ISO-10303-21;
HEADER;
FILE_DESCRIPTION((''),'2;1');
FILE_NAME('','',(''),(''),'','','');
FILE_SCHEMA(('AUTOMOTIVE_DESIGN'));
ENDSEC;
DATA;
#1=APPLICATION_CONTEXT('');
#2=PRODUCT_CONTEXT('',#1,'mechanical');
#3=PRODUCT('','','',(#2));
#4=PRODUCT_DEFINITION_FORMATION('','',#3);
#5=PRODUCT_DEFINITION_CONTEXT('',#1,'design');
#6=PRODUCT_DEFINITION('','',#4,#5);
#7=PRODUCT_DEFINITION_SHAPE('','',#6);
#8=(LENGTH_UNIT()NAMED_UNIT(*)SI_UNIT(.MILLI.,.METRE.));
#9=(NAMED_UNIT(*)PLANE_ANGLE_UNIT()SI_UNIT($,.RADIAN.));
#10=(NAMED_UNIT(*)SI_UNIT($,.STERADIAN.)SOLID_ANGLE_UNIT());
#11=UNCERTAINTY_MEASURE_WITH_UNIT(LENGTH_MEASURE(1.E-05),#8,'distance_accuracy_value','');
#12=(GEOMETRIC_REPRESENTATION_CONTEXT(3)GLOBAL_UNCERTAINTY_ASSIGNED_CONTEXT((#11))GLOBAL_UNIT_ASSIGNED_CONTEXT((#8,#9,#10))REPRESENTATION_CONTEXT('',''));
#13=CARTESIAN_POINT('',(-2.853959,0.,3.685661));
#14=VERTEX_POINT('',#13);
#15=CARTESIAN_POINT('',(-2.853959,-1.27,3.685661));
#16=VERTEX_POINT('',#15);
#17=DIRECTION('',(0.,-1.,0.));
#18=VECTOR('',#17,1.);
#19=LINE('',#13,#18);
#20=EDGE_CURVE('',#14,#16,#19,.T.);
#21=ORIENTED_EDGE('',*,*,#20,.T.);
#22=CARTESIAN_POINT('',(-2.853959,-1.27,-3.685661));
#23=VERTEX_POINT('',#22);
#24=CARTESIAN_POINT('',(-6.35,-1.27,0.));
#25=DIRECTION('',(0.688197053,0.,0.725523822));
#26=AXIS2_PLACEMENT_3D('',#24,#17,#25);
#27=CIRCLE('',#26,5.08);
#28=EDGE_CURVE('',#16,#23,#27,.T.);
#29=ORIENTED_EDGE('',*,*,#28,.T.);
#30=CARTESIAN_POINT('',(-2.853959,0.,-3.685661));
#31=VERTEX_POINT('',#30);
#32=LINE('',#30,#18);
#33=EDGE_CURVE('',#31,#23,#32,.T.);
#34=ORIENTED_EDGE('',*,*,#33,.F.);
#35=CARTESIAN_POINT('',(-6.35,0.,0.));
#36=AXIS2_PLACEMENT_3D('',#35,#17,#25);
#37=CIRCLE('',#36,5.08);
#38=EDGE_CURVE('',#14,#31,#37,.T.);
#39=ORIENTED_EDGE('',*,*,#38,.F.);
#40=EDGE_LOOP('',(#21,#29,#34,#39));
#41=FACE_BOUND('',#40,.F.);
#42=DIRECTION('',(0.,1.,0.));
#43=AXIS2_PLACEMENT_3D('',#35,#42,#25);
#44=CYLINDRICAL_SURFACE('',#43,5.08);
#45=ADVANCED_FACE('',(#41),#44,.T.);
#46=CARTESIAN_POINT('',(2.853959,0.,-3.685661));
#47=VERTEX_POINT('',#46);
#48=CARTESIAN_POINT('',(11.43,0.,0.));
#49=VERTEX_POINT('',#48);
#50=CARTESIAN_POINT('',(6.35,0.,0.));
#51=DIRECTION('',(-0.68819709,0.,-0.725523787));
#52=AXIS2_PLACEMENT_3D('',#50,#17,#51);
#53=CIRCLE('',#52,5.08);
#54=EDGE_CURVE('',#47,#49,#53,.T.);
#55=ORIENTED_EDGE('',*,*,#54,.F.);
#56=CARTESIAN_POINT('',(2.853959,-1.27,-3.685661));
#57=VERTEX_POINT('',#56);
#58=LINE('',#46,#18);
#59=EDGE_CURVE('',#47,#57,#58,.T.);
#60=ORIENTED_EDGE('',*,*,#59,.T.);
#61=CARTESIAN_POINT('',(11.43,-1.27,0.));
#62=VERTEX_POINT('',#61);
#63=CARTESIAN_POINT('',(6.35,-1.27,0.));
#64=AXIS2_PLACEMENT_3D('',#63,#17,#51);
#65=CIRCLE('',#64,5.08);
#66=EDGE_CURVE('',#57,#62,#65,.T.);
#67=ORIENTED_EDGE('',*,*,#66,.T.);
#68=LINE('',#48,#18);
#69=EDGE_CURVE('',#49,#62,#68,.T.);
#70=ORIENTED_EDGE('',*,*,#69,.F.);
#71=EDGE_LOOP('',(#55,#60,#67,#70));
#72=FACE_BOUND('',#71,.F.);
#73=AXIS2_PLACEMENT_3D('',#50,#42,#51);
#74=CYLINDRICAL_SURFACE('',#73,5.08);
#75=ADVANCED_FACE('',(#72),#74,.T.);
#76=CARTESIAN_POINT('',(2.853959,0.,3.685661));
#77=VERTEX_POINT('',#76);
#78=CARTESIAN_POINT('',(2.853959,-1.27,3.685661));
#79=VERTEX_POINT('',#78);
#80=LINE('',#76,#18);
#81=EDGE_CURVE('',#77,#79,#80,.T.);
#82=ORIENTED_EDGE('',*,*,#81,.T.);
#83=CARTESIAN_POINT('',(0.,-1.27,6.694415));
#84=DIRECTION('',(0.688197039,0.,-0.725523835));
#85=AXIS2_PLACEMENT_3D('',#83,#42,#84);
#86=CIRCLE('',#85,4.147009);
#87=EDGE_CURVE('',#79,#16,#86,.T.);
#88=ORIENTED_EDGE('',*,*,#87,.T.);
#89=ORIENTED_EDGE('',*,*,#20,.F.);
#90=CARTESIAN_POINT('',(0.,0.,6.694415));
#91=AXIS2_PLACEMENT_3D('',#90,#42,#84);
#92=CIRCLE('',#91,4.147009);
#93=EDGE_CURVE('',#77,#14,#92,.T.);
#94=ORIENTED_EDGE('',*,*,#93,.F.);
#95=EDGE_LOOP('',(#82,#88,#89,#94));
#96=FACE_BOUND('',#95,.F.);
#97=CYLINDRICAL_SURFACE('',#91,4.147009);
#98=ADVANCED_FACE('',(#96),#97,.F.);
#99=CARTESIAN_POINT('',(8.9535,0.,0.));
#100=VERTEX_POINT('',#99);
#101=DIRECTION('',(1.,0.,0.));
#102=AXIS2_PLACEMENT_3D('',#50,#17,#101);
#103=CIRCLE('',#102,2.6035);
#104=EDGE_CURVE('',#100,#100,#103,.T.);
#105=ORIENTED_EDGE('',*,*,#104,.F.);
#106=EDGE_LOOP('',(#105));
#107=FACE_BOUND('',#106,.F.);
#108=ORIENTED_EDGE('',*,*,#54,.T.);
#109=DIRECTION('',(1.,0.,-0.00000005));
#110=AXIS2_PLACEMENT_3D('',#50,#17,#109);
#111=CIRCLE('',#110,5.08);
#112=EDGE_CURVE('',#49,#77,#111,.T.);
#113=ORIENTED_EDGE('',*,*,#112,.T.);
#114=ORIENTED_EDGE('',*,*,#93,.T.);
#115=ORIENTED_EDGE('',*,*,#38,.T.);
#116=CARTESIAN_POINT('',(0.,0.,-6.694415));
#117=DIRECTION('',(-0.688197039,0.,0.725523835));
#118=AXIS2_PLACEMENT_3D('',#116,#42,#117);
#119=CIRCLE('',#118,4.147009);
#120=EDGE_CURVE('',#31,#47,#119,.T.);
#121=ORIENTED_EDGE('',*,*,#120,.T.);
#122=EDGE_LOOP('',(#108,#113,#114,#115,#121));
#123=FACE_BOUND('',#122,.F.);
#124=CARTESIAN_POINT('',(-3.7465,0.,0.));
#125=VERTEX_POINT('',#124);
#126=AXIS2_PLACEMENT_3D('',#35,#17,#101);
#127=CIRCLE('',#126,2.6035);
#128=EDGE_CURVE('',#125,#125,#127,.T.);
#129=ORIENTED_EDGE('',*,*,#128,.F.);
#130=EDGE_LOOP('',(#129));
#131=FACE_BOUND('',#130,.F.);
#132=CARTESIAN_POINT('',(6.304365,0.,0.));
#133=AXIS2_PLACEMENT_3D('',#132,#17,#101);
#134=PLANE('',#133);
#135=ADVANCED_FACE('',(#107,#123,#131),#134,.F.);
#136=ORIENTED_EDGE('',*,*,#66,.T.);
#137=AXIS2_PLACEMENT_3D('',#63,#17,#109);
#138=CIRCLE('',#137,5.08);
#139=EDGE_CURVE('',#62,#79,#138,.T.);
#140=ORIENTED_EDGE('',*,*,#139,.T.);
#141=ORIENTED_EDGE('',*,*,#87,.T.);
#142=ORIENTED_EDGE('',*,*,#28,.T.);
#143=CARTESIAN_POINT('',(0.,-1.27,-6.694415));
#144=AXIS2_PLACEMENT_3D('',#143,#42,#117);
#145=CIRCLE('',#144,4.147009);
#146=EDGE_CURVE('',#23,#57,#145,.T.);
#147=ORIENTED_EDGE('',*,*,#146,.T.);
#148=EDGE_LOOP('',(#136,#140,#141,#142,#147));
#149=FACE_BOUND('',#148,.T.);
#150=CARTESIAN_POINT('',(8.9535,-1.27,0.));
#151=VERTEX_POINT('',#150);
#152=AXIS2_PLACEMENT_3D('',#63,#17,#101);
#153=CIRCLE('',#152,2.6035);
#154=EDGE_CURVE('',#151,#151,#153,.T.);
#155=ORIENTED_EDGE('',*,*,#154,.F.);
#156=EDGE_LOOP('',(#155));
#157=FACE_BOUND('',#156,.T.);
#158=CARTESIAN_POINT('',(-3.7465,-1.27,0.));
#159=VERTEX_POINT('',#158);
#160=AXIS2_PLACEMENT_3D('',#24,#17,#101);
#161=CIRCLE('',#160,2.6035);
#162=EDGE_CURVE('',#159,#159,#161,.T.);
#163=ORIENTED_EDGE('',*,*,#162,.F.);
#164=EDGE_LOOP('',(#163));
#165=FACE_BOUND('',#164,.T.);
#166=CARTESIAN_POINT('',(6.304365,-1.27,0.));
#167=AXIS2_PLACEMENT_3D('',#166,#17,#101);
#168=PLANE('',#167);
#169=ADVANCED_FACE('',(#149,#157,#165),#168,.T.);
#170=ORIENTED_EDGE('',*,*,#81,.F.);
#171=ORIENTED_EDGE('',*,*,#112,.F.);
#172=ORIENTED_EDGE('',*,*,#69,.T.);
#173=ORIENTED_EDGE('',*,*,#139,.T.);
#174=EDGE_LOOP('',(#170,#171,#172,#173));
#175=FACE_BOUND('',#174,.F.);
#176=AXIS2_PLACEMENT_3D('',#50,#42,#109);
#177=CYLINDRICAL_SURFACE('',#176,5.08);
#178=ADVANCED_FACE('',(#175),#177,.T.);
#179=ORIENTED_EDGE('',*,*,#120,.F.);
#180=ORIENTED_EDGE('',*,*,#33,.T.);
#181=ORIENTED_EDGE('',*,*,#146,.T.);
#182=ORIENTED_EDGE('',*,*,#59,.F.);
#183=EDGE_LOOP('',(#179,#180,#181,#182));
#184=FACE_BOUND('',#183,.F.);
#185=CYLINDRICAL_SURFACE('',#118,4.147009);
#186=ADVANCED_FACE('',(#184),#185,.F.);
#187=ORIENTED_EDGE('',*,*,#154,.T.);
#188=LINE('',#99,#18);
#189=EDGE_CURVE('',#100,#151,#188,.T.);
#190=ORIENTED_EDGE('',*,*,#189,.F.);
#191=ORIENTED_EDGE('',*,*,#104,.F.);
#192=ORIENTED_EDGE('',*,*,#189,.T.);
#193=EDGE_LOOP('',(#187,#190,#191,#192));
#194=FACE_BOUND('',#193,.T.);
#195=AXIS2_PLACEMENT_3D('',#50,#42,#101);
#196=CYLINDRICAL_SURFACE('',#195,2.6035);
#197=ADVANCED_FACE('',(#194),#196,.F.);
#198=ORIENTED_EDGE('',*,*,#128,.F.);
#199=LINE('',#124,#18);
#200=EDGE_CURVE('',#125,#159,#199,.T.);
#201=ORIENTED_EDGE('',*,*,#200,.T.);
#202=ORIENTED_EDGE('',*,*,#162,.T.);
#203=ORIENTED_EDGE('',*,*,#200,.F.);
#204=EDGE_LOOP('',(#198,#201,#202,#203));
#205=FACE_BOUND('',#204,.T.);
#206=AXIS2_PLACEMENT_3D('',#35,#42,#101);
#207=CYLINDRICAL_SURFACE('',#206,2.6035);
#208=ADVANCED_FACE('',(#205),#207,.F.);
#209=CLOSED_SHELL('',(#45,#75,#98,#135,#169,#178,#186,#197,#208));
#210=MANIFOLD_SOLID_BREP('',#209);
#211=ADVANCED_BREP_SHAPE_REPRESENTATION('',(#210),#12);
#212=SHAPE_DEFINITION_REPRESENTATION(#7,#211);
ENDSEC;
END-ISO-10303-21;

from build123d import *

# Parameters (mm, degrees)
F0_R     = 2.6035
F1_DEPTH = 1.27


with BuildPart() as f1:
    # F0 (on Front) → F1 (new body)
    with BuildSketch(Plane.XZ):
        with BuildLine():
            ThreePointArc((11.43, 0), (8.355805, 4.667242), (2.853959, 3.685661))
            ThreePointArc((2.853959, 3.685661), (1.27, 0), (2.853959, -3.685661))
            ThreePointArc((2.853959, -3.685661), (8.355805, -4.667242), (11.43, 0))
        make_face()
        with Locations((6.35, 0)):
            Circle(F0_R, mode=Mode.SUBTRACT)
        with BuildLine():
            ThreePointArc((-2.853959, -3.685661), (-1.682758, -2.005805), (-1.27, 0))
            ThreePointArc((-1.27, 0), (-1.682758, 2.005805), (-2.853959, 3.685661))
            ThreePointArc((-2.853959, 3.685661), (-11.43, 0), (-2.853959, -3.685661))
        make_face()
        with Locations((-6.35, 0)):
            Circle(F0_R, mode=Mode.SUBTRACT)
        with BuildLine():
            ThreePointArc((-2.853959, 3.685661), (-1.682758, 2.005805), (-1.27, 0))
            ThreePointArc((-1.27, 0), (-1.682758, -2.005805), (-2.853959, -3.685661))
            ThreePointArc((-2.853959, -3.685661), (0, -2.547406), (2.853959, -3.685661))
            ThreePointArc((2.853959, -3.685661), (1.27, 0), (2.853959, 3.685661))
            ThreePointArc((2.853959, 3.685661), (0, 2.547406), (-2.853959, 3.685661))
        make_face()
    extrude(amount=F1_DEPTH)


solid = f1.part
